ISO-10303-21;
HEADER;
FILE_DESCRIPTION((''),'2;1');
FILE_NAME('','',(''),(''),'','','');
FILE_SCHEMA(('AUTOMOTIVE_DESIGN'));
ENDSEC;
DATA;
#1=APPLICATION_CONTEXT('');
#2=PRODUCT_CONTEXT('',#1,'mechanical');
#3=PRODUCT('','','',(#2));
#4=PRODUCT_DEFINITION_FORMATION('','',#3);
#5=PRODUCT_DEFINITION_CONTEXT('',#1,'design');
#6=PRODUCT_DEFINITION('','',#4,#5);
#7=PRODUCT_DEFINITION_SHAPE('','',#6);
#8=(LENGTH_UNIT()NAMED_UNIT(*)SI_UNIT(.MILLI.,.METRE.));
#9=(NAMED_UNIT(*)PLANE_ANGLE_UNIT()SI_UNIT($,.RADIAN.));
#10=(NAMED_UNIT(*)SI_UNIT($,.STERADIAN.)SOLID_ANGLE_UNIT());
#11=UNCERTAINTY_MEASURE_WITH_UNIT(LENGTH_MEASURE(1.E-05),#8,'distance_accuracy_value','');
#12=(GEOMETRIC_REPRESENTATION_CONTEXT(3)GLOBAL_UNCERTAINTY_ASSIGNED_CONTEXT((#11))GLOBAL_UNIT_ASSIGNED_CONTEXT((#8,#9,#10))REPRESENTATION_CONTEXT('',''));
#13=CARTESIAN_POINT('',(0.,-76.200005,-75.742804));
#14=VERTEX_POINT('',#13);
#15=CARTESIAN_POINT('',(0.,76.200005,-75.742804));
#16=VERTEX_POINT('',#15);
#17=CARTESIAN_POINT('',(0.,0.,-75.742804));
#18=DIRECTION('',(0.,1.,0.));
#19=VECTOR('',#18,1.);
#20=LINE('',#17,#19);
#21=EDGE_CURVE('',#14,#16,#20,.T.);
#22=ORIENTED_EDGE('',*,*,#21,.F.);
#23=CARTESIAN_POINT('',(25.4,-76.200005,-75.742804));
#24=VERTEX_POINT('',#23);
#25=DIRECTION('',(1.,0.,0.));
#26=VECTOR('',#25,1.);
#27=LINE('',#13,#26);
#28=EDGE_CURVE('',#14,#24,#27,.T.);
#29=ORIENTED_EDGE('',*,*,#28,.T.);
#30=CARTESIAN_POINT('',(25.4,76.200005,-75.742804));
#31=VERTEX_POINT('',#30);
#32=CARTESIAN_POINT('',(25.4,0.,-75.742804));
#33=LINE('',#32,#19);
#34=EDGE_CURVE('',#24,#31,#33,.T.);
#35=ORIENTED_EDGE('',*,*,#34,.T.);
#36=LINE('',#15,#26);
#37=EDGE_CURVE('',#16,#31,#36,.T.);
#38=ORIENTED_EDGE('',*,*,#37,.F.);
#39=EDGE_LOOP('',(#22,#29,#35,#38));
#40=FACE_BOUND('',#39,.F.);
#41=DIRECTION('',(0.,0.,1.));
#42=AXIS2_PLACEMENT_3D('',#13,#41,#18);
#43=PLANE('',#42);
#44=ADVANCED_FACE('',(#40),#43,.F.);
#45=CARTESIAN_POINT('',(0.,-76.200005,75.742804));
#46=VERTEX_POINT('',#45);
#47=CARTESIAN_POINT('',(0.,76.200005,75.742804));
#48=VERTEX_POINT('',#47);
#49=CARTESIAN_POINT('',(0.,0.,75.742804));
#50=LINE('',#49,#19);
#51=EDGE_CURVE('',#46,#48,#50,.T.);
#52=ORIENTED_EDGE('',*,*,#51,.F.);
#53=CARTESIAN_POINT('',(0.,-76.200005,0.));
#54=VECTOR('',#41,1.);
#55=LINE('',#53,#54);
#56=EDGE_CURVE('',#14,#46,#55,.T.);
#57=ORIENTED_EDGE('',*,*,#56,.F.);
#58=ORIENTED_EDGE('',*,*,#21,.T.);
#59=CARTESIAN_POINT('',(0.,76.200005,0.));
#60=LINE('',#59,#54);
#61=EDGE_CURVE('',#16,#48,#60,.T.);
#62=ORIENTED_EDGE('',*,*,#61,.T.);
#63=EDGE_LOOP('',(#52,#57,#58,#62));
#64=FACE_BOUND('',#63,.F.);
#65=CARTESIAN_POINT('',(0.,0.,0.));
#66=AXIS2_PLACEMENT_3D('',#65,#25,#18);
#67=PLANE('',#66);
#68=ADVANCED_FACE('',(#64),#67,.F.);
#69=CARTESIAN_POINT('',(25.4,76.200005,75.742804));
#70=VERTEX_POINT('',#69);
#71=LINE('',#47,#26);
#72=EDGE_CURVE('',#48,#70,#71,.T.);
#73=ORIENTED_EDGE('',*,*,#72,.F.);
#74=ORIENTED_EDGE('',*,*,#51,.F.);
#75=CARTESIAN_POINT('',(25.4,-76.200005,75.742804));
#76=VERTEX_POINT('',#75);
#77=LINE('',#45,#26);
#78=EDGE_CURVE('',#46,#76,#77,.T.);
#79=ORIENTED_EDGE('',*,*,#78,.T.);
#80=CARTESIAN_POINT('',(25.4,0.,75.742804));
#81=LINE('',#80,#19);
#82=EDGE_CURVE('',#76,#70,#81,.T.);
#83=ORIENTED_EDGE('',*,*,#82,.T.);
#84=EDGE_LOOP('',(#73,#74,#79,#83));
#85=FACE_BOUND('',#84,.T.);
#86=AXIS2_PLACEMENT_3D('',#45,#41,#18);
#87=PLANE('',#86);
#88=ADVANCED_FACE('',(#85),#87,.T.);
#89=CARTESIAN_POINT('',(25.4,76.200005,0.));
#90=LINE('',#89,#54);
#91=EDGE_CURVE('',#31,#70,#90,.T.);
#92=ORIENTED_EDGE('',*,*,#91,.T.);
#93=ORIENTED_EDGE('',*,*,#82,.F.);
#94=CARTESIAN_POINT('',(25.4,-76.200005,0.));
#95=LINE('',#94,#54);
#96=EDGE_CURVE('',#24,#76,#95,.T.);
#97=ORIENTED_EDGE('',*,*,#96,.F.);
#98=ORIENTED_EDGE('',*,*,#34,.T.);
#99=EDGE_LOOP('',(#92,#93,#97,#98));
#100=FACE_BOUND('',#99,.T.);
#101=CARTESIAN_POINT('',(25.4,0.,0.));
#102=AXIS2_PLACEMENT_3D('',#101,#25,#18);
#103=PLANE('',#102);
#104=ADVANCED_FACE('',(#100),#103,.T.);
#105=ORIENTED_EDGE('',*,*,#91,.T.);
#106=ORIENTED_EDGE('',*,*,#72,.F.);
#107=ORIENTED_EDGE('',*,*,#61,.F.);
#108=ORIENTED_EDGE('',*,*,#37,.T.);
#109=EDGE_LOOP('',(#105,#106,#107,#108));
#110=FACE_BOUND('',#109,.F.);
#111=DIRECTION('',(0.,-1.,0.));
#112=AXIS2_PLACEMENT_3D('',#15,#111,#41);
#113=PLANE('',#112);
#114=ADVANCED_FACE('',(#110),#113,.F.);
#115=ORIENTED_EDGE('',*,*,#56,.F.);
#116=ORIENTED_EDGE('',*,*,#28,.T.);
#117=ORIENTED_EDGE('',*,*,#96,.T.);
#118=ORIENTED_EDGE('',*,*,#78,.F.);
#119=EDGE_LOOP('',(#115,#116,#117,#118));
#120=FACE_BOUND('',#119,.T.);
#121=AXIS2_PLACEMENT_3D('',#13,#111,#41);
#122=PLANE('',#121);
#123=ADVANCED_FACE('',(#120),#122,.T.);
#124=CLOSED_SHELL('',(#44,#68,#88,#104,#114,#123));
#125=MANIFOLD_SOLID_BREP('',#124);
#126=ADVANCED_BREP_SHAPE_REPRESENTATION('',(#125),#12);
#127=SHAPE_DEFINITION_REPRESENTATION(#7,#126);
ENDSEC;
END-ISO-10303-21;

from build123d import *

# Parameters (mm, degrees)
F0_W     = 152.400009
F0_H     = 151.485608
F1_DEPTH = 25.4


with BuildPart() as f1:
    # F0 (on Right) → F1 (new body)
    with BuildSketch(Plane.YZ):
        with Locations((3e-06, 0)):
            Rectangle(F0_W, F0_H)
    extrude(amount=F1_DEPTH)


solid = f1.part
